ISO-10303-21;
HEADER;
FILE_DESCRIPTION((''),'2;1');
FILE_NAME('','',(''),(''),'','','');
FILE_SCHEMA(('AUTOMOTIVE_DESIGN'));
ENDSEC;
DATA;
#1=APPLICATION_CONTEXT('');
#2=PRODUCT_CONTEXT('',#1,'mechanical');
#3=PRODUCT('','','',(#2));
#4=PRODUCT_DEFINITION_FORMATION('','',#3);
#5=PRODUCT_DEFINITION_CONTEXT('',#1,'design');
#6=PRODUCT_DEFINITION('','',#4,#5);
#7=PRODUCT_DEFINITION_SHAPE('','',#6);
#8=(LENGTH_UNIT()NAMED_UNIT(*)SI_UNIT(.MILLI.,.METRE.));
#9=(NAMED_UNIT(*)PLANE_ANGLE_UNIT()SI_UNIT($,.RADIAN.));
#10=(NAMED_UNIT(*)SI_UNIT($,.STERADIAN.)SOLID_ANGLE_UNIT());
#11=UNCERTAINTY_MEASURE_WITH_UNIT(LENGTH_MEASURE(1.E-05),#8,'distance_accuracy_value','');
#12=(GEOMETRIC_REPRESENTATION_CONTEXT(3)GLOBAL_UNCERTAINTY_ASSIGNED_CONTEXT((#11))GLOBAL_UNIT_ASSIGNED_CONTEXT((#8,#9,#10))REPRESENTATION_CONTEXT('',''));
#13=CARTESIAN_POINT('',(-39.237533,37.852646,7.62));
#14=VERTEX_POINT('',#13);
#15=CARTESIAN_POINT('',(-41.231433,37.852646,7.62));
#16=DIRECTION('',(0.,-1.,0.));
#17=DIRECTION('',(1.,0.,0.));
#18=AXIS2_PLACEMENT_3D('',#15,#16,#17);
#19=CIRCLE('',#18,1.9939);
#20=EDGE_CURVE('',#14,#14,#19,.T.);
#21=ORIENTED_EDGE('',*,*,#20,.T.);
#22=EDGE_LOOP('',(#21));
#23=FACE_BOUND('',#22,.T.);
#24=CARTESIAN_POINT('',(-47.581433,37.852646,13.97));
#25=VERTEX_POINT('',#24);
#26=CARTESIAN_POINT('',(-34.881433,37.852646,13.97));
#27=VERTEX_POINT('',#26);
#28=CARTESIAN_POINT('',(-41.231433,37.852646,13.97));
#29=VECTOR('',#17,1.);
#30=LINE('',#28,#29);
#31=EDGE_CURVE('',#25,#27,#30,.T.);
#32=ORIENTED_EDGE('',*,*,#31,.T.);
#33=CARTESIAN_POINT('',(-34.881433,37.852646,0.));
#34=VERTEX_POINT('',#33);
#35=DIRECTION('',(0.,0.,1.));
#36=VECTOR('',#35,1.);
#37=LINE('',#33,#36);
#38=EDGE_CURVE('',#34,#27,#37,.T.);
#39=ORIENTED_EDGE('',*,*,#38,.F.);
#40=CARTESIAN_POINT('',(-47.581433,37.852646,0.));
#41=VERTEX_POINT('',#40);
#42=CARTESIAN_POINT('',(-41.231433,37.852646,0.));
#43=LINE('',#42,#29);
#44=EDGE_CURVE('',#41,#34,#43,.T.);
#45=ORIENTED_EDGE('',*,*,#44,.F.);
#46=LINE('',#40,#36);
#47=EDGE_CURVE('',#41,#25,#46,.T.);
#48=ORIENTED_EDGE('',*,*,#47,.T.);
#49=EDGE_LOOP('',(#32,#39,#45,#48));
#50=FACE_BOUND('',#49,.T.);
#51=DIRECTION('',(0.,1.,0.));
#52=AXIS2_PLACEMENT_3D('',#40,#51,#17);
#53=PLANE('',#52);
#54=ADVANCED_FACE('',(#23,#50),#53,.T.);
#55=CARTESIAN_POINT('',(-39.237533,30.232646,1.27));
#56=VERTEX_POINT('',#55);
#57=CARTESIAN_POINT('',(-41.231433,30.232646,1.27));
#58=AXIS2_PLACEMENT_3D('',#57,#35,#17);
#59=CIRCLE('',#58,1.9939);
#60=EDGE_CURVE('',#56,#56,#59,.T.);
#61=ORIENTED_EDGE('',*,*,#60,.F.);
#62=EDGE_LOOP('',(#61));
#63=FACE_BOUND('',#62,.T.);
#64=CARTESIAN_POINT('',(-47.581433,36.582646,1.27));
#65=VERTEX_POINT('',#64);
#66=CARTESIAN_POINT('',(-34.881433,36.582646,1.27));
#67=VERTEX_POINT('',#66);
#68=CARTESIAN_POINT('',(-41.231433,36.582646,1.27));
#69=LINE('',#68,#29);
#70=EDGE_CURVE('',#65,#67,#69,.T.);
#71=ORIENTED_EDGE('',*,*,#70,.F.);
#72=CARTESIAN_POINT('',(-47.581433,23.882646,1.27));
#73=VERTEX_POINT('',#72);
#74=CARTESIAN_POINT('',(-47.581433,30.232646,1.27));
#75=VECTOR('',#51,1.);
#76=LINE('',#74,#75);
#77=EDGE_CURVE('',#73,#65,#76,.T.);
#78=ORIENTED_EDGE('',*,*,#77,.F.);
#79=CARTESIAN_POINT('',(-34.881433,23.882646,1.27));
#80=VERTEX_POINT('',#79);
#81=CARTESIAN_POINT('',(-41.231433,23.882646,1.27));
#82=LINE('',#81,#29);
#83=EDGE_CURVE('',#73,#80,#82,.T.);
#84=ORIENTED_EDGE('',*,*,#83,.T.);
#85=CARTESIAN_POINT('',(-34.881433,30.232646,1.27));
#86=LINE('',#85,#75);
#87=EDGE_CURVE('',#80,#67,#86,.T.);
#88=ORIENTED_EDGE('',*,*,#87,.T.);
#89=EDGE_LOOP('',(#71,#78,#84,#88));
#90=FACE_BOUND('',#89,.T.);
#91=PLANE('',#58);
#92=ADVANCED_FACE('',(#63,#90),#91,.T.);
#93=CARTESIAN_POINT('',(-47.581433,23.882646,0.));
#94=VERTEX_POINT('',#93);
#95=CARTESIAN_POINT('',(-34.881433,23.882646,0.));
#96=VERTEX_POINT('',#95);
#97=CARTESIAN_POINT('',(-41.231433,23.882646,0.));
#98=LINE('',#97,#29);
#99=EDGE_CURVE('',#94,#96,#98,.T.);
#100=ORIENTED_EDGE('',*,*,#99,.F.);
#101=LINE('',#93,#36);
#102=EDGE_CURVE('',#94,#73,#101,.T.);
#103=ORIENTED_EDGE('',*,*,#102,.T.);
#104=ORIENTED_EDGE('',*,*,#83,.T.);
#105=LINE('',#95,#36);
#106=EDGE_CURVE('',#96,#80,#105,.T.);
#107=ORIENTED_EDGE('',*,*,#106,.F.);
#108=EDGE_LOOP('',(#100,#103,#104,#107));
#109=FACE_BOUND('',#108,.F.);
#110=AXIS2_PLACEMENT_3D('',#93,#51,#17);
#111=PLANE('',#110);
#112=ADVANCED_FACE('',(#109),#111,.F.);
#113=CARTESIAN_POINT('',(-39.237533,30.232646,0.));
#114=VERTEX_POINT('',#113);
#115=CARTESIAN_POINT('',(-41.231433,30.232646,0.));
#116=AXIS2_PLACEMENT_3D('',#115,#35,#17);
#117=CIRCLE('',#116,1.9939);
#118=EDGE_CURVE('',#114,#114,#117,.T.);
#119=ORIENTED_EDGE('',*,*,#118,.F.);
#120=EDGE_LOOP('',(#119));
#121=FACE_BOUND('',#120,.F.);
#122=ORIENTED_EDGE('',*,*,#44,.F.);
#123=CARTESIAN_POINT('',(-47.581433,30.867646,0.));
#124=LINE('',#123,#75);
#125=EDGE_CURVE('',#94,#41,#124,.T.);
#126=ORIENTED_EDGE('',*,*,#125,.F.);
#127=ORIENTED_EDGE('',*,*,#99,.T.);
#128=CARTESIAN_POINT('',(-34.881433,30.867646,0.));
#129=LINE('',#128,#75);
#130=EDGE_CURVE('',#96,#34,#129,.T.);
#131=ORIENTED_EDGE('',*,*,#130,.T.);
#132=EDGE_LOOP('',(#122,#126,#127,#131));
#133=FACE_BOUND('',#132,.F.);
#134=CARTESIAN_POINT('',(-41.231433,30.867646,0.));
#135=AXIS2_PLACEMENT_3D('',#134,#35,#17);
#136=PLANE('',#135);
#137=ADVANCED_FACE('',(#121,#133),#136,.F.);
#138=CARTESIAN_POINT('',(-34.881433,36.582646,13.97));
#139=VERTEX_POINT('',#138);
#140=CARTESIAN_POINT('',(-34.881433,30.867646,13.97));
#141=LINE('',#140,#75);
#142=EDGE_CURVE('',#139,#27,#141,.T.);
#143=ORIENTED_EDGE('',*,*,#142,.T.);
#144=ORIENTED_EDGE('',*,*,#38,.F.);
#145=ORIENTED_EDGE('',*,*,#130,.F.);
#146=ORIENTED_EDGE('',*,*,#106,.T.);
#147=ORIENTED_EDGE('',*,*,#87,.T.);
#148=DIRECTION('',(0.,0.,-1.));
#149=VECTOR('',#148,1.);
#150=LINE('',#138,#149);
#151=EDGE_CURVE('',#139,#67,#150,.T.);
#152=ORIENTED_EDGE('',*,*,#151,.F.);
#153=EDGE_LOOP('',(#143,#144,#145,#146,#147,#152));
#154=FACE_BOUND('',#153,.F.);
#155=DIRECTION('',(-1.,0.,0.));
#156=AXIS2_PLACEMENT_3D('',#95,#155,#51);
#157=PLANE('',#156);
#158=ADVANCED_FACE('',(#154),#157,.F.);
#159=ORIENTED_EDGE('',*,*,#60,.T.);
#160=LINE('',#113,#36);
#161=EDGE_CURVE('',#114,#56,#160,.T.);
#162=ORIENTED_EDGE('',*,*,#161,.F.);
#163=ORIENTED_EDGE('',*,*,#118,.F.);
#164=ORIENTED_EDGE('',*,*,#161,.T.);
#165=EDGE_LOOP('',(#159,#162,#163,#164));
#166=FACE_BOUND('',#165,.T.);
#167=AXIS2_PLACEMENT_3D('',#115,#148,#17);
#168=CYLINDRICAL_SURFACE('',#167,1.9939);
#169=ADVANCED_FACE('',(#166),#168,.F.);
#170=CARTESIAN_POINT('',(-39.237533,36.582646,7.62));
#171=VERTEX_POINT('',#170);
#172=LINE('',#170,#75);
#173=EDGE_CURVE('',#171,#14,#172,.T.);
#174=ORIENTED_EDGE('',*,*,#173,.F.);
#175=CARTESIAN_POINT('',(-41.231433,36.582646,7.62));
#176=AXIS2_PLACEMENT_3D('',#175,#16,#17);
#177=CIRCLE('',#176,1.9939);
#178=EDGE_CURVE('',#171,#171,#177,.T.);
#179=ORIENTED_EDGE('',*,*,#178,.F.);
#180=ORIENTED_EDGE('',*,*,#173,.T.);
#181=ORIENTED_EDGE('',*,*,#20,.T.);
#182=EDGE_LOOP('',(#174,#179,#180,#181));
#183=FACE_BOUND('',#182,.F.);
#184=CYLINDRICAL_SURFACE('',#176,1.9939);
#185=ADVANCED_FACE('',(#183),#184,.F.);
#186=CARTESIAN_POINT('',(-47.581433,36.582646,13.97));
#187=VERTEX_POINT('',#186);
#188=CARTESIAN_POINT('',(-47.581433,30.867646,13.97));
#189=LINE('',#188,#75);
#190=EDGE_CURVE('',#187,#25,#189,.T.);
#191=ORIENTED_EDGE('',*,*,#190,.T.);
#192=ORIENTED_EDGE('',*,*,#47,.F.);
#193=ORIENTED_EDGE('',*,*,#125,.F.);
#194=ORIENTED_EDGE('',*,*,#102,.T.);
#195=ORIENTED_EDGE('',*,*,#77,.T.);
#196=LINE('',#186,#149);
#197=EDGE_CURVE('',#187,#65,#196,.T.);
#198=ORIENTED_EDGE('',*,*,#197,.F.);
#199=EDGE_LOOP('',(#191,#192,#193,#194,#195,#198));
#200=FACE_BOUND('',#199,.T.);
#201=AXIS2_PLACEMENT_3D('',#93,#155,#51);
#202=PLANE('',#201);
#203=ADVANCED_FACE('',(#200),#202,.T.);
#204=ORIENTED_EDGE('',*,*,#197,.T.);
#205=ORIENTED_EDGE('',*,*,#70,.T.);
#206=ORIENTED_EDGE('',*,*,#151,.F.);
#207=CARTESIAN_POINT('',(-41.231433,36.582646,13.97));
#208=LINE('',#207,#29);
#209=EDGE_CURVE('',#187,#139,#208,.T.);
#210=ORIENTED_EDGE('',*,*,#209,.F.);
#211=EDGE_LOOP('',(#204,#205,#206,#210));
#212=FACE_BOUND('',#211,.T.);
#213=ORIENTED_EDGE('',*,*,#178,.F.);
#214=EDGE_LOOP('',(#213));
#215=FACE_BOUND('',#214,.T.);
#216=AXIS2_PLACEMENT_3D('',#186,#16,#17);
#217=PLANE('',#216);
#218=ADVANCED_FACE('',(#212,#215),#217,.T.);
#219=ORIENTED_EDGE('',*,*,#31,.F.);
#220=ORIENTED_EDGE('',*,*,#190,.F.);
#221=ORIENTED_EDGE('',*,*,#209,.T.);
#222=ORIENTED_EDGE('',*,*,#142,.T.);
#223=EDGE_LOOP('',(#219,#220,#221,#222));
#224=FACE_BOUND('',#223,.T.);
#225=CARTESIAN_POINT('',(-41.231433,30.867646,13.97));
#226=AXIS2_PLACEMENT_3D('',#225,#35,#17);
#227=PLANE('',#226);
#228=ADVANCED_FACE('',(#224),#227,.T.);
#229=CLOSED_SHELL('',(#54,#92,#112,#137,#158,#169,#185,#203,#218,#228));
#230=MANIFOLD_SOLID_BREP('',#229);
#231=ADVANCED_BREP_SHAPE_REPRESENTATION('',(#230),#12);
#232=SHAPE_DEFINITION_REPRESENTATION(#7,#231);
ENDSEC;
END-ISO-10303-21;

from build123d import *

# Parameters (mm, degrees)
F0_W     = 12.7
F0_H     = 13.97
F0_R     = 1.9939
F1_DEPTH = 13.97
F2_W     = 12.7
F2_H     = 12.7
F2_R     = 1.9939
F3_DEPTH = 12.7
F4_R     = 1.9939
F5_DEPTH = 25.4


with BuildPart() as f1:
    # F0 (on Top) → F1 (new body)
    with BuildSketch(Plane.XY):
        with Locations((-41.231433, 30.867646)):
            Rectangle(F0_W, F0_H)
        with Locations((-41.231433, 30.232646)):
            Circle(F0_R, mode=Mode.SUBTRACT)
    extrude(amount=F1_DEPTH)

    # F2 (on face) → F3 (cut)
    with BuildSketch(Plane.XY.offset(13.97)):
        with Locations((-41.231433, 30.232646)):
            Rectangle(F2_W, F2_H)
        with Locations((-41.231433, 30.232646)):
            Circle(F2_R, mode=Mode.SUBTRACT)
    extrude(amount=-F3_DEPTH, mode=Mode.SUBTRACT)

    # F4 (on face) → F5 (cut)
    with BuildSketch(Plane.XZ.offset(-36.582646)):
        with Locations((-41.231433, 7.62)):
            Circle(F4_R)
    extrude(amount=-F5_DEPTH, mode=Mode.SUBTRACT)


solid = f1.part
